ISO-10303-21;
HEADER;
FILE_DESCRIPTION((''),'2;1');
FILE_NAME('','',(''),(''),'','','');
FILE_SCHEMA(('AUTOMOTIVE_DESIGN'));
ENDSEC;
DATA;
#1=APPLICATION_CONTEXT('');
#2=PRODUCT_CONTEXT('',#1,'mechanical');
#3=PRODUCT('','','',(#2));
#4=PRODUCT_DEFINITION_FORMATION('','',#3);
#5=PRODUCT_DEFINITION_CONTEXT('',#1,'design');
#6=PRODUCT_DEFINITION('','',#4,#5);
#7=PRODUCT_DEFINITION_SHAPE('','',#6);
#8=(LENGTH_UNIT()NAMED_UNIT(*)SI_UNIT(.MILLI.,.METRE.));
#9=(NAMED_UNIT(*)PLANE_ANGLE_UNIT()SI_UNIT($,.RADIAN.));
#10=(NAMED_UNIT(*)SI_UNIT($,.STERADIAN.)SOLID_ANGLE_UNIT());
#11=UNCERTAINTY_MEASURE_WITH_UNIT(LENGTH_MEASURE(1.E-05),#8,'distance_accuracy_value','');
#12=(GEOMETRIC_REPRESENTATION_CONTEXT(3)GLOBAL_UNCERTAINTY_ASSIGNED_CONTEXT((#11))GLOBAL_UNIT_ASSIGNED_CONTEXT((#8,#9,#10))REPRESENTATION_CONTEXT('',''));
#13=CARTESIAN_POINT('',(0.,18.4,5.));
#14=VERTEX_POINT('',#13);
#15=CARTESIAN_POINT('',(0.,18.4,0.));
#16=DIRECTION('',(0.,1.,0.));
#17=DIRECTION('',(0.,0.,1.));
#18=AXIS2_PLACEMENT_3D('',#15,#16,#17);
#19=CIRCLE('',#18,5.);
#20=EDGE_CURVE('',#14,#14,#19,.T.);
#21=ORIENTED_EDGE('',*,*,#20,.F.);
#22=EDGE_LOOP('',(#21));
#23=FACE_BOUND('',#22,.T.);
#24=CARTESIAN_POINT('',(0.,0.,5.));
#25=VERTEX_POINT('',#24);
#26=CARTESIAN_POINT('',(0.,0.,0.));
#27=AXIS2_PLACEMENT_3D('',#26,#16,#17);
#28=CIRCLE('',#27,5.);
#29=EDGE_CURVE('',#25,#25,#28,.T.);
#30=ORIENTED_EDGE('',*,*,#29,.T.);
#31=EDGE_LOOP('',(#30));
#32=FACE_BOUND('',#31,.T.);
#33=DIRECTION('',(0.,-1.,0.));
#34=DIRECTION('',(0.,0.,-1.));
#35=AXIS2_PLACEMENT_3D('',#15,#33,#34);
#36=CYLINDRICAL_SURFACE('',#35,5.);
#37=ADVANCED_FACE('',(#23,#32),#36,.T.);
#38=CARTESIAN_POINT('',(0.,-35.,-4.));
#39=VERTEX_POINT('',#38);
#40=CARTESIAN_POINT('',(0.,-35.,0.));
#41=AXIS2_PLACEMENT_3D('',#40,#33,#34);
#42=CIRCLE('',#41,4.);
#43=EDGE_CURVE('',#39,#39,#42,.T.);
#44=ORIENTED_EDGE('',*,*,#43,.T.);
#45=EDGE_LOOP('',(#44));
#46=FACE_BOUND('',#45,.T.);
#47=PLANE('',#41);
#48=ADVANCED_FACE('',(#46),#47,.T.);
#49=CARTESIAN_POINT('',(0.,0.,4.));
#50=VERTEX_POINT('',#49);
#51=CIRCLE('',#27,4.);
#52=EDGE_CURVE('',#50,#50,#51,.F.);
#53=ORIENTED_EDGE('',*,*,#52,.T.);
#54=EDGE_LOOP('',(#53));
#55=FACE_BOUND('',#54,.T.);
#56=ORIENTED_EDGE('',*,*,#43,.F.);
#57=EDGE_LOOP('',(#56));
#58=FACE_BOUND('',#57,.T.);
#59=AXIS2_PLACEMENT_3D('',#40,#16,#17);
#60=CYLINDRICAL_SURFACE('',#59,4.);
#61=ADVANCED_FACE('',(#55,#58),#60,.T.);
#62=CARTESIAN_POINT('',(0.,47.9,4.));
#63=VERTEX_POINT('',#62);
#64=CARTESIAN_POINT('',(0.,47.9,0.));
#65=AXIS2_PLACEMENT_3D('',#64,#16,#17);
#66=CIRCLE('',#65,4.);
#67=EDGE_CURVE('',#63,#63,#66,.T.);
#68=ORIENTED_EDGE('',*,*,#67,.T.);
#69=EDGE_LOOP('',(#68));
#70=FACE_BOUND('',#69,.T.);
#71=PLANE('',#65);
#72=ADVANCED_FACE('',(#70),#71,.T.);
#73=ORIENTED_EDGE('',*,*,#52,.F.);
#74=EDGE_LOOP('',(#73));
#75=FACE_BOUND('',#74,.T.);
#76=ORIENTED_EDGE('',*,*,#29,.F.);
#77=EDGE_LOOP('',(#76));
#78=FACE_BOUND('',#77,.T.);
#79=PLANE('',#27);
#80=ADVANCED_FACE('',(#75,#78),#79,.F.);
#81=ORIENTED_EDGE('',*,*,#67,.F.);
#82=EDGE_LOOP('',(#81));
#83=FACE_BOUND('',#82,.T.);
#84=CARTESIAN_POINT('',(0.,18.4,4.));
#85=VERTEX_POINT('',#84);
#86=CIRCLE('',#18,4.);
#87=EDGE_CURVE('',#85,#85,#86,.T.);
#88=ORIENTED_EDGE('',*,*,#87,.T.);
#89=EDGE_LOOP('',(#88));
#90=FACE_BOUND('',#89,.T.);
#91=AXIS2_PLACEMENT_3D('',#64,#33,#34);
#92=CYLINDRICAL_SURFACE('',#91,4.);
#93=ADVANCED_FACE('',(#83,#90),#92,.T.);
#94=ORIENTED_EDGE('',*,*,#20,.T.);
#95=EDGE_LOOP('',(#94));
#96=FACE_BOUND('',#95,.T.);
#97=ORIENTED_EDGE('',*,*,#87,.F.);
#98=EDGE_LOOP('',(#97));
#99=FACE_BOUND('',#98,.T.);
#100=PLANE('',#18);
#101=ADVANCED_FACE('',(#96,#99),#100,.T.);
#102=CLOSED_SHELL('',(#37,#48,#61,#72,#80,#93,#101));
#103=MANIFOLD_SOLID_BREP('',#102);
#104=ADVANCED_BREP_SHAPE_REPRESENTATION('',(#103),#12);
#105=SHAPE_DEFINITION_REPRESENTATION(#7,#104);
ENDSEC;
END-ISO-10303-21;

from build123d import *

# Parameters (mm, degrees)
SKETCH1_R           = 5
BOSS_EXTRUDE1_DEPTH = 18.4
SKETCH2_R           = 4
BOSS_EXTRUDE2_DEPTH = 29.5
SKETCH3_R           = 4
BOSS_EXTRUDE3_DEPTH = 35


with BuildPart() as part:
    # Sketch1 → Boss-Extrude1 (new body)
    with BuildSketch(Plane(origin=(0, 0, 0), x_dir=(1, 0, 0), z_dir=(0, 1, 0))):
        Circle(SKETCH1_R)
    extrude(amount=BOSS_EXTRUDE1_DEPTH)

    # Sketch2 → Boss-Extrude2 (add)
    with BuildSketch(Plane(origin=(0, 18.4, 0), x_dir=(1, 0, 0), z_dir=(0, 1, 0))):
        Circle(SKETCH2_R)
    extrude(amount=BOSS_EXTRUDE2_DEPTH)

    # Sketch3 → Boss-Extrude3 (add)
    with BuildSketch(Plane.XZ):
        Circle(SKETCH3_R)
    extrude(amount=BOSS_EXTRUDE3_DEPTH)


solid = part.part
